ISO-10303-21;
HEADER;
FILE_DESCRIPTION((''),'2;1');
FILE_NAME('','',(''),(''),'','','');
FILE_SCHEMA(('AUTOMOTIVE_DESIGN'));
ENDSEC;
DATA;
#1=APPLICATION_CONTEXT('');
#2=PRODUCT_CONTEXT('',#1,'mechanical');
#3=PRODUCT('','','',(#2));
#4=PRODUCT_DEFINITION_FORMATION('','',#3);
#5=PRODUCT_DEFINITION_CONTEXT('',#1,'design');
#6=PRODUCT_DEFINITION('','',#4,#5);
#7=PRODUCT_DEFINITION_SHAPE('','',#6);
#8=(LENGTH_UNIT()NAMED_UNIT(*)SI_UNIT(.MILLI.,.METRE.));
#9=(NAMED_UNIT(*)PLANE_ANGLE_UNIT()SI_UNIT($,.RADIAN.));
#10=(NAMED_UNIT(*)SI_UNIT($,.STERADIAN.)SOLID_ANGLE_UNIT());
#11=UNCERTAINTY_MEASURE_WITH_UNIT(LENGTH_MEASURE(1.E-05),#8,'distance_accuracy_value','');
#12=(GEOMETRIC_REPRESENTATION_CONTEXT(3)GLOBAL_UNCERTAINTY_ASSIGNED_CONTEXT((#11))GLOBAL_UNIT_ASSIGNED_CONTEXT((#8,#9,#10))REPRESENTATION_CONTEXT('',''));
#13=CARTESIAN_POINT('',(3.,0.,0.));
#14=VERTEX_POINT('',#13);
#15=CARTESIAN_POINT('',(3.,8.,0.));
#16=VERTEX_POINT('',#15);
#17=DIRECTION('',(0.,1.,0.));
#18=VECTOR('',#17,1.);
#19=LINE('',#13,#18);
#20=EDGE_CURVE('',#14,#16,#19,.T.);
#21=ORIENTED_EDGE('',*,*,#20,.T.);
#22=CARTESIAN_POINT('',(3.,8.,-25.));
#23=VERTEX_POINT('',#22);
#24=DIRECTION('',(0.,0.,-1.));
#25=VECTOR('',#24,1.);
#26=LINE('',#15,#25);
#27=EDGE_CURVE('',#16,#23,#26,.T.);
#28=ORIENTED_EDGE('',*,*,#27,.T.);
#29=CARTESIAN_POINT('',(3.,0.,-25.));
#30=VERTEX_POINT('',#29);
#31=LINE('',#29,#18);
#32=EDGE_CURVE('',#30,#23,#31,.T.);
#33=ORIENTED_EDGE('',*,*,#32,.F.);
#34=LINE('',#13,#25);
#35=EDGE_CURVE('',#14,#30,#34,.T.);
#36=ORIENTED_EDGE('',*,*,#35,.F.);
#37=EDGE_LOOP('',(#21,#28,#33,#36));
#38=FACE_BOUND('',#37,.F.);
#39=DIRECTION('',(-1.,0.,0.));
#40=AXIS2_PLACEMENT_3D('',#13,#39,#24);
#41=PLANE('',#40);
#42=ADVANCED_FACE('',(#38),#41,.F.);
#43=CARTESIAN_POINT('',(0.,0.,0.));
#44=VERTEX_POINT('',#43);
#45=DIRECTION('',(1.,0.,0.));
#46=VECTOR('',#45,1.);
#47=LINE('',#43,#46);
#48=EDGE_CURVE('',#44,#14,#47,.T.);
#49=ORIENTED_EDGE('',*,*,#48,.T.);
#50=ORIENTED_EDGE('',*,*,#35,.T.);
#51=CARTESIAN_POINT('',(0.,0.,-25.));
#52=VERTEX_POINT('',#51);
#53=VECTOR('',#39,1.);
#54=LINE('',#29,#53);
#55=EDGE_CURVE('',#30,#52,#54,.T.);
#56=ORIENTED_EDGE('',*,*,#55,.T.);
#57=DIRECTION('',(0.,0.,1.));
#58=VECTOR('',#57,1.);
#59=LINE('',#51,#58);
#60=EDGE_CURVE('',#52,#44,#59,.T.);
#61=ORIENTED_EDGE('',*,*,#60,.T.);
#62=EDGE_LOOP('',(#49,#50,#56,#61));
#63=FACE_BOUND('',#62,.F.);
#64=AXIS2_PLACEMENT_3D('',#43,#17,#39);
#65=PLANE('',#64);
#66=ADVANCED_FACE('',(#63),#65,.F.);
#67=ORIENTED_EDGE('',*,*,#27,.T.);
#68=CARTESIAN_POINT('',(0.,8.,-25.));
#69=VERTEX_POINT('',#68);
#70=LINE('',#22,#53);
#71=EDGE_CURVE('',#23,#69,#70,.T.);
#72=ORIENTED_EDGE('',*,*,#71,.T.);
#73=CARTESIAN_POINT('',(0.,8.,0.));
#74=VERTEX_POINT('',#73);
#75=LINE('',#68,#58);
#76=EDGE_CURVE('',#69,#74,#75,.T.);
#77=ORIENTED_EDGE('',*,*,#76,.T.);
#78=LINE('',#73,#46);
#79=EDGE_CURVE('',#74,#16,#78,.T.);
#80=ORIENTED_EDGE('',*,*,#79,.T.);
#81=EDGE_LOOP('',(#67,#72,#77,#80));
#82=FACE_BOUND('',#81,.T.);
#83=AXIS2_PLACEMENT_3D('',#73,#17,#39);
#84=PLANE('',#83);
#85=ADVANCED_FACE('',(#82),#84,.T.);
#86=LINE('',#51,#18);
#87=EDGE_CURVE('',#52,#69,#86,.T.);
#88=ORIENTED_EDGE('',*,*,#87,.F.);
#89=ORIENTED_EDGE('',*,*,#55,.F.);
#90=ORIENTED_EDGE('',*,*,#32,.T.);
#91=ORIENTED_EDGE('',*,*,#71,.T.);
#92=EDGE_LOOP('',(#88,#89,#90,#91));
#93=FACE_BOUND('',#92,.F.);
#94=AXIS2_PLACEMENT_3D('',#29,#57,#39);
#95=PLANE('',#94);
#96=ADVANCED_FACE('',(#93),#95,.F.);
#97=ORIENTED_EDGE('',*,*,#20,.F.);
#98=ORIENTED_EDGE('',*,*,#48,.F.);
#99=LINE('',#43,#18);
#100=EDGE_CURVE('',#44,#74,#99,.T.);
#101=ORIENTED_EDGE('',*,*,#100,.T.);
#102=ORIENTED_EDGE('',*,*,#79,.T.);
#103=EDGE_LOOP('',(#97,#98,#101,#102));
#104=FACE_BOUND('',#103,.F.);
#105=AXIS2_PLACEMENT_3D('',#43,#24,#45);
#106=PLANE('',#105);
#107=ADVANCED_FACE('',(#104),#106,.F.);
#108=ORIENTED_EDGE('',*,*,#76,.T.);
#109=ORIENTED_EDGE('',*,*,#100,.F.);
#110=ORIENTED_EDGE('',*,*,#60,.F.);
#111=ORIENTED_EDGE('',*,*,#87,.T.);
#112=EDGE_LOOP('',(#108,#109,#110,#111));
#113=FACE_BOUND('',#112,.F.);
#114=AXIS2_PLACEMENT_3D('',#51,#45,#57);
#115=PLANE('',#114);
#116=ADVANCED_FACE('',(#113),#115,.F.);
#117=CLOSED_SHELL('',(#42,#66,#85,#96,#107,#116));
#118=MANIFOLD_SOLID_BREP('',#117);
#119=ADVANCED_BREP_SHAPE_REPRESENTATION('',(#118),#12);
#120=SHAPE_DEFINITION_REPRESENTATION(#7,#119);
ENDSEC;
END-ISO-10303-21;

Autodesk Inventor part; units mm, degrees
ref_plane "YZ Plane" through (0, 0, 0) normal (1, 0, 0) x (0, 1, 0)
ref_plane "XZ Plane" through (0, 0, 0) normal (0, 1, 0) x (-1, 0, 0)
ref_plane "XY Plane" through (0, 0, 0) normal (0, 0, 1) x (1, 0, 0)
sketch "Sketch1" plane through (0, 0, 0) normal (0, 1, 0) x (-1, 0, 0)
  line L0 (0, 0) -> (-3, 0)
  line L1 (-3, 0) -> (-3, -25)
  line L2 (-3, -25) -> (0, -25)
  line L3 (0, -25) -> (0, 0)
  dimension "d0" = 25
  dimension "d1" = 3
extrude "Extrusion1" add sketch "Sketch1" along normal blind 8
properties part number "crash test 25 mm"
